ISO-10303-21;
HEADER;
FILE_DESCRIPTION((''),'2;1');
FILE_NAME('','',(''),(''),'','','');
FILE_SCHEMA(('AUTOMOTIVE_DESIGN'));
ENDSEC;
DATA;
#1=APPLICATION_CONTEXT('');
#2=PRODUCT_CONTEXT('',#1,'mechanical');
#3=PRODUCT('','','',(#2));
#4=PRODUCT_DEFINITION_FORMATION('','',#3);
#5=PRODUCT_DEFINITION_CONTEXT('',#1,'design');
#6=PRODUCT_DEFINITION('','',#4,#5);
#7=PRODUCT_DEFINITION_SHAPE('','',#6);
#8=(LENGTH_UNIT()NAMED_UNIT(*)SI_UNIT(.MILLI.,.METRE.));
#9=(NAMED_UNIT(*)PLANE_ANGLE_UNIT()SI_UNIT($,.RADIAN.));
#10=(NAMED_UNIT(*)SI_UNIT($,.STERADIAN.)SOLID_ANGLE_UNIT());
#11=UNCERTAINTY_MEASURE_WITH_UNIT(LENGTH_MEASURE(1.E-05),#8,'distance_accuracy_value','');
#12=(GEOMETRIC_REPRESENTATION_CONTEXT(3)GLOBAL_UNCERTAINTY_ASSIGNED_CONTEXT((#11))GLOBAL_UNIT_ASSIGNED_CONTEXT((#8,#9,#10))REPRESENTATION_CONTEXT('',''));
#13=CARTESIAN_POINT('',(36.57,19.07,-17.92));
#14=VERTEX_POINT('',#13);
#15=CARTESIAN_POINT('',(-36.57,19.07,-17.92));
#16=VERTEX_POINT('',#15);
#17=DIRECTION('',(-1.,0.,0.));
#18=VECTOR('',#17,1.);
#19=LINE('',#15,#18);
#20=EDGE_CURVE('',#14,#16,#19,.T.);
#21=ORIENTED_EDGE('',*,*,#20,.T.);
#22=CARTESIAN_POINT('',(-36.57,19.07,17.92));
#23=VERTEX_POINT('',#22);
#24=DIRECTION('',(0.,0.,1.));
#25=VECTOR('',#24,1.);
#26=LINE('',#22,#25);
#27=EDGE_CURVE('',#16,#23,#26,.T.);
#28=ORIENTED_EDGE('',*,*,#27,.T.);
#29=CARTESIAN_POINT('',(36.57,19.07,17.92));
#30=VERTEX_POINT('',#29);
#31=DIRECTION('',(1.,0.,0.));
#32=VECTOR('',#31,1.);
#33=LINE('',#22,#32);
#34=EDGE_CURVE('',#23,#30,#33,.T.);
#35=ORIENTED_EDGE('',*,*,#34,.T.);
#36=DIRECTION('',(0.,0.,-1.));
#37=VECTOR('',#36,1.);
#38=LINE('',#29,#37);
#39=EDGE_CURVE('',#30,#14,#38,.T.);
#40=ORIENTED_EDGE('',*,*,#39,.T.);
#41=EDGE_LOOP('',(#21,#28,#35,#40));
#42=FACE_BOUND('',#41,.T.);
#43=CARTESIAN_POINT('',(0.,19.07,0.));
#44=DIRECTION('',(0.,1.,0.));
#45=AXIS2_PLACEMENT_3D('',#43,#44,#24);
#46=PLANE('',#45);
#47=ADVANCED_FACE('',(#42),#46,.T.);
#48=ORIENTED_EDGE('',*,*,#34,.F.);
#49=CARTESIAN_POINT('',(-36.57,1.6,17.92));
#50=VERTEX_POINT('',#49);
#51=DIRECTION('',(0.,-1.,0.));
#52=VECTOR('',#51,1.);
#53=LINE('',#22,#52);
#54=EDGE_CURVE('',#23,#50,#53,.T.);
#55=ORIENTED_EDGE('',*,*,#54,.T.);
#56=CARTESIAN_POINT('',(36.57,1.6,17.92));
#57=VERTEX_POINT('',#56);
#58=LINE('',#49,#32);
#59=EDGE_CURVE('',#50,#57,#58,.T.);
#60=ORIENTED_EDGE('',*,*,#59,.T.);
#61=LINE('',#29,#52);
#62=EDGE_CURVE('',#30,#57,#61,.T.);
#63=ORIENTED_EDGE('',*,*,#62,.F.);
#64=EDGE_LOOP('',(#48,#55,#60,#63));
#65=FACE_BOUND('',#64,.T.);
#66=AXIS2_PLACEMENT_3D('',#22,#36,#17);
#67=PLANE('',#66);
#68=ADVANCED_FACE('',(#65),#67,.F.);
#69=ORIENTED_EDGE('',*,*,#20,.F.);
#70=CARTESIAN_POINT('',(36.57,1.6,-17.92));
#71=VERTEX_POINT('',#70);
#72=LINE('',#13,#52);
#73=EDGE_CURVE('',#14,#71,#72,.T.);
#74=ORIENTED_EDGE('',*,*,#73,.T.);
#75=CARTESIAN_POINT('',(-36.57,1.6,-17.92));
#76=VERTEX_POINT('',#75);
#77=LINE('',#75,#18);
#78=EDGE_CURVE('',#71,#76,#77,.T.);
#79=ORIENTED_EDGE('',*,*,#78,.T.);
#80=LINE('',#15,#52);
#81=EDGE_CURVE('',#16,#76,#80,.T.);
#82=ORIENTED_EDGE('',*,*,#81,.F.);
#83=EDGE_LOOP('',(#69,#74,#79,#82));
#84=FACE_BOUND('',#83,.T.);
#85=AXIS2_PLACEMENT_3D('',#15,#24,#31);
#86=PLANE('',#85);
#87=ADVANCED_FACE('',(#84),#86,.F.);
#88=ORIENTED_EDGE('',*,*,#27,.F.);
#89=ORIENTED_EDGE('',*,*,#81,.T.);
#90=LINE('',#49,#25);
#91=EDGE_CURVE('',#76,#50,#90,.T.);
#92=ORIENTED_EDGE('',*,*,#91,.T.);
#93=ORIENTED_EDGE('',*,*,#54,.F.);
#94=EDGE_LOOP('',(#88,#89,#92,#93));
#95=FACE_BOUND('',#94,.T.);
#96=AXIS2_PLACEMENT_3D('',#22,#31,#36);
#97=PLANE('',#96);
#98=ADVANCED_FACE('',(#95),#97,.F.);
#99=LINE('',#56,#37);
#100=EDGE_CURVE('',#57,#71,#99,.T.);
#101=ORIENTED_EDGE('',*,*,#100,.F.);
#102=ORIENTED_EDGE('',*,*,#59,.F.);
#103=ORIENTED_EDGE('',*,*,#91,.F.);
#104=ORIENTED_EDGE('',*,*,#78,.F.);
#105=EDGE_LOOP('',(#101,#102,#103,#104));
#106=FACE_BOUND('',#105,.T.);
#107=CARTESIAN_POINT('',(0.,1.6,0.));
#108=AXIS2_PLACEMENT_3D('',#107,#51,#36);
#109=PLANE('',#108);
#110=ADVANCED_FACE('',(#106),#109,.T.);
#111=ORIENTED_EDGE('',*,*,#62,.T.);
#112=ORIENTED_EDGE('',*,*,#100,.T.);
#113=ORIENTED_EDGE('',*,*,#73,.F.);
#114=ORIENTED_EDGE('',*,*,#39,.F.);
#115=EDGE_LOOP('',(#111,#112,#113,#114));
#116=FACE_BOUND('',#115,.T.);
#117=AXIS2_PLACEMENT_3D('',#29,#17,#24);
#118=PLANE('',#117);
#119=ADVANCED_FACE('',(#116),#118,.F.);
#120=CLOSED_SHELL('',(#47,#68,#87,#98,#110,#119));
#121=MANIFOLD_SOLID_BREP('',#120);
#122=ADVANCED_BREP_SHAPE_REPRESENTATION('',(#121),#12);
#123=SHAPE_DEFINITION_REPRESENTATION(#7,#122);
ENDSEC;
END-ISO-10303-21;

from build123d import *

# Parameters (mm, degrees)
SKETCH1_W                 = 76.2
SKETCH1_H                 = 50.8
BOSS_EXTRUDE1_DEPTH       = 1.6
SKETCH2_W                 = 73.14
SKETCH2_H                 = 35.84
BOSS_EXTRUDE2_DEPTH       = 17.47
SKETCH3_W                 = 76.2
SKETCH3_H                 = 50.8
HEAT_SINK_SHAVE_MOD_DEPTH = 1.6


with BuildPart() as part:
    # Sketch1 → Boss-Extrude1 (new body)
    with BuildSketch(Plane(origin=(0, 0, 0), x_dir=(1, 0, 0), z_dir=(0, 1, 0))):
        Rectangle(SKETCH1_W, SKETCH1_H)
    extrude(amount=BOSS_EXTRUDE1_DEPTH)

    # Sketch2 → Boss-Extrude2 (add)
    with BuildSketch(Plane(origin=(0, 1.6, 0), x_dir=(1, 0, 0), z_dir=(0, 1, 0))):
        Rectangle(SKETCH2_W, SKETCH2_H)
    extrude(amount=BOSS_EXTRUDE2_DEPTH)

    # Sketch3 → Heat Sink Shave Mod (cut)
    with BuildSketch(Plane.XZ):
        Rectangle(SKETCH3_W, SKETCH3_H)
    extrude(amount=-HEAT_SINK_SHAVE_MOD_DEPTH, mode=Mode.SUBTRACT)


solid = part.part
